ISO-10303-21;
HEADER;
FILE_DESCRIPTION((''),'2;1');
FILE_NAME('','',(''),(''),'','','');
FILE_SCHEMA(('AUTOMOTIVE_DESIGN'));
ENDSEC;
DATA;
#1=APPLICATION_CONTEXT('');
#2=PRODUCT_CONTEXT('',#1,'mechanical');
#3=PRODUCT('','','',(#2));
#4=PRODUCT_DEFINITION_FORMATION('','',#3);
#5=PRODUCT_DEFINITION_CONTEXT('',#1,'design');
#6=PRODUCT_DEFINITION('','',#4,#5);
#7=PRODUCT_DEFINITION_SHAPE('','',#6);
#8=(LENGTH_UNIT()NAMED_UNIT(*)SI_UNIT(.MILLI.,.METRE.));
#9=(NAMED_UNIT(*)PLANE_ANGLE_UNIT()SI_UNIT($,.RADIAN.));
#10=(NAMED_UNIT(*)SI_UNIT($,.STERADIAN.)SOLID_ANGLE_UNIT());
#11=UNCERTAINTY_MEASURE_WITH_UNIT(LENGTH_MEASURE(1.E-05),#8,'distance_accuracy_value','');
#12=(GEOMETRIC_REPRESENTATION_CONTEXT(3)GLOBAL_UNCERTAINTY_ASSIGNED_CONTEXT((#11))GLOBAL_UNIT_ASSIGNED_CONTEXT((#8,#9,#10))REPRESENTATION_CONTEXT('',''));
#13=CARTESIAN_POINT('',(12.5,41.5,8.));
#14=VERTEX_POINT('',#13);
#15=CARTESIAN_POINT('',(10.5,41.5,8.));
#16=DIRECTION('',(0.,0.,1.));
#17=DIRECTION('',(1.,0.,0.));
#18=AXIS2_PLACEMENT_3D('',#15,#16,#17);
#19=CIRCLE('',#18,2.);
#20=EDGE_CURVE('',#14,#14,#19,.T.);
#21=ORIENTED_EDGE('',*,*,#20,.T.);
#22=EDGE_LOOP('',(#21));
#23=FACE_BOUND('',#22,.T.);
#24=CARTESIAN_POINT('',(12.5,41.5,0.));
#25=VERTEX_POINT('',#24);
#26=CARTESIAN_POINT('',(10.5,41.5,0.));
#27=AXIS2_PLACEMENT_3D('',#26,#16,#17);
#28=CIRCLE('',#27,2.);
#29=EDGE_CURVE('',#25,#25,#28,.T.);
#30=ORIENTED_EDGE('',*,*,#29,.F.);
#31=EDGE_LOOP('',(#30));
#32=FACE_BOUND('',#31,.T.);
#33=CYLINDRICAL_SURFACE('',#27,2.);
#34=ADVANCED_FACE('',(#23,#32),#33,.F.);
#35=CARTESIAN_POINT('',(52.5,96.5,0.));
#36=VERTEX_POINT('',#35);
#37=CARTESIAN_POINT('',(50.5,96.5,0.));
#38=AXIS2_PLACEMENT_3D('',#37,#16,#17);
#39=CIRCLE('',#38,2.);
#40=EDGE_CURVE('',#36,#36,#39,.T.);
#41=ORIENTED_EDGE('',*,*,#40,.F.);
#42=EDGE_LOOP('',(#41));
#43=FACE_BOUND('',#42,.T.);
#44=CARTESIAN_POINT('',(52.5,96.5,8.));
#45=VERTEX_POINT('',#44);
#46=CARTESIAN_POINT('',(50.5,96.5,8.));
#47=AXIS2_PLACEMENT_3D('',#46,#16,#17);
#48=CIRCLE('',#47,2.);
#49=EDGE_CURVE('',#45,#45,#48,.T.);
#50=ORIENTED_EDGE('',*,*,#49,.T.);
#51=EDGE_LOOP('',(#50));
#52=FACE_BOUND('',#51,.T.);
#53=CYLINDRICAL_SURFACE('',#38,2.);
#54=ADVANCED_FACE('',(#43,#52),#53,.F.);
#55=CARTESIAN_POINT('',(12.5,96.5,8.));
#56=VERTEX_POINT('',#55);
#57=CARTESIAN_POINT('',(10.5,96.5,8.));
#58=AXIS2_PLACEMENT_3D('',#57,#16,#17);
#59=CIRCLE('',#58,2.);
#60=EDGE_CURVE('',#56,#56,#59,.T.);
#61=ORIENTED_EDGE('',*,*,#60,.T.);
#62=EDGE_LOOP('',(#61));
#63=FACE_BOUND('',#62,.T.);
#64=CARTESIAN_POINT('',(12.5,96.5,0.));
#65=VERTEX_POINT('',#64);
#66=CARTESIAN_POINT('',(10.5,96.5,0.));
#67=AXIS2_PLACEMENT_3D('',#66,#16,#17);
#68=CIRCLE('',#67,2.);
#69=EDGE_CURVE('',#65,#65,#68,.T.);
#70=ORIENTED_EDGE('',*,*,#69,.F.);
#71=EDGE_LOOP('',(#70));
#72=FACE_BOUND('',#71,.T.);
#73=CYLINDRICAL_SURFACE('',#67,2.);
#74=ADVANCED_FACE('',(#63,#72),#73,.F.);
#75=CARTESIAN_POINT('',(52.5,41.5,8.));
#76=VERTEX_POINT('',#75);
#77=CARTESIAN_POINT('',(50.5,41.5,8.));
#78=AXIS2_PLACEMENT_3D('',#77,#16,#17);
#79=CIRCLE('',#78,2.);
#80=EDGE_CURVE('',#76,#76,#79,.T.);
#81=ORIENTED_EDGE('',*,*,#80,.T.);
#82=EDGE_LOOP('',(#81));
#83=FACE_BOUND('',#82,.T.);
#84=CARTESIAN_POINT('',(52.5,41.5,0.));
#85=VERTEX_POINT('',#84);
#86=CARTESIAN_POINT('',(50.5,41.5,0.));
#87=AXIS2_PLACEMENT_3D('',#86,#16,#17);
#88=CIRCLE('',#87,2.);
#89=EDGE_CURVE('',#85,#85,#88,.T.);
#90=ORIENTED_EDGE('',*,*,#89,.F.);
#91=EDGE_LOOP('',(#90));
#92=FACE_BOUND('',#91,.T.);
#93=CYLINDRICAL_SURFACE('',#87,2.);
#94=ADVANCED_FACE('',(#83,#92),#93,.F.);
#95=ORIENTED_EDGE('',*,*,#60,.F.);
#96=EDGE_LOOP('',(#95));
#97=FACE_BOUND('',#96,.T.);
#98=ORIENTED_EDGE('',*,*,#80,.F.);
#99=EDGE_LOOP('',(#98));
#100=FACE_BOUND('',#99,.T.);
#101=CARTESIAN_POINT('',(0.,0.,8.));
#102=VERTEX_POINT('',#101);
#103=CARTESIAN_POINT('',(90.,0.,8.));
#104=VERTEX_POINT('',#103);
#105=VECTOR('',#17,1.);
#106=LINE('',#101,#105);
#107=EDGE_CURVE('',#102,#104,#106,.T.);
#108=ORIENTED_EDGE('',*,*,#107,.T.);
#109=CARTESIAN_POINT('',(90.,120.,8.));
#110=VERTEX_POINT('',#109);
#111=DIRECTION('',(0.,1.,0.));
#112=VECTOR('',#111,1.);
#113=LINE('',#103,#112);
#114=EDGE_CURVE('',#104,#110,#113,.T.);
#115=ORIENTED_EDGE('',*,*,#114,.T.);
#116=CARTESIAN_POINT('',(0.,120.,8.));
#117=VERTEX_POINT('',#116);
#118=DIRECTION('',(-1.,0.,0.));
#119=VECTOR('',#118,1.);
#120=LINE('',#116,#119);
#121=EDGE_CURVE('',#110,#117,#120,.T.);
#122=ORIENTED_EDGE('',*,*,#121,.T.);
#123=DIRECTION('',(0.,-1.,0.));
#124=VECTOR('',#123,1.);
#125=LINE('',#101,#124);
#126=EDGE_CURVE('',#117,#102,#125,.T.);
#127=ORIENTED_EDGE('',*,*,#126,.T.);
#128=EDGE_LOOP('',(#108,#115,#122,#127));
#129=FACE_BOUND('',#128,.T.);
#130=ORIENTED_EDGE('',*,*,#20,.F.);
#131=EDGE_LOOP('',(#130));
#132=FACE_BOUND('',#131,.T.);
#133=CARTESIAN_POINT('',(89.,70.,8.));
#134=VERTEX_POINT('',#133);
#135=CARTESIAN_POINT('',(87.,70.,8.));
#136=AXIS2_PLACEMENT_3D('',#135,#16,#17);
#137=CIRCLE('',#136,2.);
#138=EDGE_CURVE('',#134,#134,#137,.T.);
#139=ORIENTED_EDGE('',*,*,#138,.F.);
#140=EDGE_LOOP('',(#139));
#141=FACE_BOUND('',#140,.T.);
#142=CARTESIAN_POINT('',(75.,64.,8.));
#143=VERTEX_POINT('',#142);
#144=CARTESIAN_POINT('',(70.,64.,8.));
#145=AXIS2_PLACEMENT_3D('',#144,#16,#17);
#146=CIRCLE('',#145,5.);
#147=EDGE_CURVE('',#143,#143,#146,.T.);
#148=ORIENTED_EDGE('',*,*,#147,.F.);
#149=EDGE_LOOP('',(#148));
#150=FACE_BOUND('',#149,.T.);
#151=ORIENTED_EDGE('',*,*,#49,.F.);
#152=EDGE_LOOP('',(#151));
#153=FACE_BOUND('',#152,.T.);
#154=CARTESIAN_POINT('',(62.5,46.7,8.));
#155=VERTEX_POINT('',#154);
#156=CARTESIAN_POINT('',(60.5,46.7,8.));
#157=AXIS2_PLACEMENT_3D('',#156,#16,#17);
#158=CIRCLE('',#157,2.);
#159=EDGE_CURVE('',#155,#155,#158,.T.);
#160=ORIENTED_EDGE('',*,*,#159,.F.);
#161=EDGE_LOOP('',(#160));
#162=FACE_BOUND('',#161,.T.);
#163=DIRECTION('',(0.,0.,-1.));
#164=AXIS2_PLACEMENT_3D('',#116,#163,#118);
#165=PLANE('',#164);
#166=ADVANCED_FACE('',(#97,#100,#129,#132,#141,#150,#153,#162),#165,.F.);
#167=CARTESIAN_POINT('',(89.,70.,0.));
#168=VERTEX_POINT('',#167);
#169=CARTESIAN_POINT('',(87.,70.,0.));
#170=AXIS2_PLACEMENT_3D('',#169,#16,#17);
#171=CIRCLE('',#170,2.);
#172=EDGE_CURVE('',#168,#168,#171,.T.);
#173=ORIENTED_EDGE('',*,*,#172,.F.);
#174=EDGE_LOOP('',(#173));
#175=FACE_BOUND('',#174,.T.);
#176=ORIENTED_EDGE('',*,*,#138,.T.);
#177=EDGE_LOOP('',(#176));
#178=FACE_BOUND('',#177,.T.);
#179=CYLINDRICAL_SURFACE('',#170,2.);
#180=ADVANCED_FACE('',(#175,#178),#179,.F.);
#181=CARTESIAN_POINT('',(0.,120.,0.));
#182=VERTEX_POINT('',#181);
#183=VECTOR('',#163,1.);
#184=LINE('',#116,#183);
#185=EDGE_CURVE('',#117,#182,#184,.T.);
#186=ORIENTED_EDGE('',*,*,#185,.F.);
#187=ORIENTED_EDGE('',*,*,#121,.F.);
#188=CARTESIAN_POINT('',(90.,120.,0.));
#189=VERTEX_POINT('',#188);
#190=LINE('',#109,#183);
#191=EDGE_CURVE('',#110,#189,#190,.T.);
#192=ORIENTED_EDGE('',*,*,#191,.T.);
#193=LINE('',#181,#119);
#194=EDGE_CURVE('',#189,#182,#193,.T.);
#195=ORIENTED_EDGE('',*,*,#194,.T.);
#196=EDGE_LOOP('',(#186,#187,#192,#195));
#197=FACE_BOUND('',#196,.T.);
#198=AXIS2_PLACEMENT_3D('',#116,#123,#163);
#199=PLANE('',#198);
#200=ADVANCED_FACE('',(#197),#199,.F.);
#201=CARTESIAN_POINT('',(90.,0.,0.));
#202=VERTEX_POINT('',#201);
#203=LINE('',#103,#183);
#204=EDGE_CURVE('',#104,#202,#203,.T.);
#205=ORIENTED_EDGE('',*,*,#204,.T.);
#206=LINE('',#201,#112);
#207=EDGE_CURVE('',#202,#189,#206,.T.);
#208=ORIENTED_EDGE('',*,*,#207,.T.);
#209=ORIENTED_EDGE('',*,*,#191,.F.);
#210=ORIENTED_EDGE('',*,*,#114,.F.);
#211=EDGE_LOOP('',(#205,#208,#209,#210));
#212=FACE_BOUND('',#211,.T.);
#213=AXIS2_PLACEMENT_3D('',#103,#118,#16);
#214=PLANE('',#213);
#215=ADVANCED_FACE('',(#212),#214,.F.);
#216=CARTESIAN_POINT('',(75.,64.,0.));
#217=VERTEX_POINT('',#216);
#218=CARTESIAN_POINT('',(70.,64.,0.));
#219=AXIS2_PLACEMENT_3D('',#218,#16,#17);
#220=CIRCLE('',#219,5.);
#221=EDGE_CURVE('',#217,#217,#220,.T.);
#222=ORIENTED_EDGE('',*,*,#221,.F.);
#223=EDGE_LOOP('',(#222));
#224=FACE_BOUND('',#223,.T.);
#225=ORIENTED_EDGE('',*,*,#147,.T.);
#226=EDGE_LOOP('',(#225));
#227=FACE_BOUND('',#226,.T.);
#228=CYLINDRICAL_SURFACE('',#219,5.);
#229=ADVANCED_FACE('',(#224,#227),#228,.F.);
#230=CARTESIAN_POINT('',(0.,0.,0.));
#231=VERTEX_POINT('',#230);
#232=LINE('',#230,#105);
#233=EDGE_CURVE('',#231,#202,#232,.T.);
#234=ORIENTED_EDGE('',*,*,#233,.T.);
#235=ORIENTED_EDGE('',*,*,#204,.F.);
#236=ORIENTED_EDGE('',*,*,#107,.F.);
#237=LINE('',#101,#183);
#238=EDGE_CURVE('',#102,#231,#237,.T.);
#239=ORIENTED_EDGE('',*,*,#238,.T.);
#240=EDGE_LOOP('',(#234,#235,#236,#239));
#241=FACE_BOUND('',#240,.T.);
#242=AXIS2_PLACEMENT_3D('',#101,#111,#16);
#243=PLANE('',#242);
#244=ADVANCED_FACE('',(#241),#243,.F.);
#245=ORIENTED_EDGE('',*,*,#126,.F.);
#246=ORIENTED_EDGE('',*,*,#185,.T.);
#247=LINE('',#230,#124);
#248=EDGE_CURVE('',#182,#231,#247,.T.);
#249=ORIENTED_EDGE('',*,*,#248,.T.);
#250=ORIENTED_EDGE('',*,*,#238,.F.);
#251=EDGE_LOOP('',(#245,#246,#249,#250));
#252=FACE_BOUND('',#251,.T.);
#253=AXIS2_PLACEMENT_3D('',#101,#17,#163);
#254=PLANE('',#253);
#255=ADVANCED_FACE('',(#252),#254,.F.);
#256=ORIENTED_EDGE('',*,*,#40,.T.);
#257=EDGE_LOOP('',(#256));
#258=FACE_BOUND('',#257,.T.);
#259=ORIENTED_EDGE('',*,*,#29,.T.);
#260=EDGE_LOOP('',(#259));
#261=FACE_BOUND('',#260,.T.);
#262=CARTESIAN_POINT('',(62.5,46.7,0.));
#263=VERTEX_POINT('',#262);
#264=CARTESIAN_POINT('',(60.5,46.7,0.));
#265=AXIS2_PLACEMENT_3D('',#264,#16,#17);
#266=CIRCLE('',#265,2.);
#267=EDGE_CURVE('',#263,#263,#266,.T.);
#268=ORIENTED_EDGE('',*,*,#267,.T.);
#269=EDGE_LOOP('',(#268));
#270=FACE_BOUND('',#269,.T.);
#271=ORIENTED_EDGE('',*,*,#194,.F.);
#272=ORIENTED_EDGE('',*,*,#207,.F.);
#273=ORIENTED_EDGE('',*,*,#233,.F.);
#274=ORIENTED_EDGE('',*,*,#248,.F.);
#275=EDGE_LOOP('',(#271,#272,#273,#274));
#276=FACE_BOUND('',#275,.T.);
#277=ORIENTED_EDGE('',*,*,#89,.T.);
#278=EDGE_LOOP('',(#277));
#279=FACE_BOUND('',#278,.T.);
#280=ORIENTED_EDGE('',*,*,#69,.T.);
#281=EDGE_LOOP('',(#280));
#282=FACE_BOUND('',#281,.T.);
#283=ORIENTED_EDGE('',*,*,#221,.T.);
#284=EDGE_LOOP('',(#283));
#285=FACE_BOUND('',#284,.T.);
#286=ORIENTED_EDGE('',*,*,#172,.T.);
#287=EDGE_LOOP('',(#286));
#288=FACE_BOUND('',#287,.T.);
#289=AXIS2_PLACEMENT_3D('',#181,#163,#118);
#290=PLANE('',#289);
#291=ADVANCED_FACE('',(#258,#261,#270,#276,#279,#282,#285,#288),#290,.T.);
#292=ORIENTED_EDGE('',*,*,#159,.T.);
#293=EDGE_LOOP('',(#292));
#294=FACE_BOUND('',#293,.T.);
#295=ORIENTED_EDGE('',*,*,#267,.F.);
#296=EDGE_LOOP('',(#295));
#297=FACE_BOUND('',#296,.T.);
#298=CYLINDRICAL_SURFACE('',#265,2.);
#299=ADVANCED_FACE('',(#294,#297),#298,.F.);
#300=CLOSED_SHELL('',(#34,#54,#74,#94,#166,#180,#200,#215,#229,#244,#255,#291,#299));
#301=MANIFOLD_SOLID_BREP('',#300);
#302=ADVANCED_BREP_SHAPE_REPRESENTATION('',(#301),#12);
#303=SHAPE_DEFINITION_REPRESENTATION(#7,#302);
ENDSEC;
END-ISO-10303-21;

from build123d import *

# Parameters (mm, degrees)
SKETCH1_W           = 90
SKETCH1_H           = 120
BOSS_EXTRUDE1_DEPTH = 8
SKETCH2_R           = 5
CUT_EXTRUDE1_DEPTH  = 9
SKETCH3_R           = 2
CUT_EXTRUDE2_DEPTH  = 9
SKETCH4_R           = 2
CUT_EXTRUDE3_DEPTH  = 9


with BuildPart() as part:
    # Sketch1 → Boss-Extrude1 (new body)
    with BuildSketch(Plane.XY):
        with Locations((45, 60)):
            Rectangle(SKETCH1_W, SKETCH1_H)
    extrude(amount=BOSS_EXTRUDE1_DEPTH)

    # Sketch2 → Cut-Extrude1 (cut, through all)
    with BuildSketch(Plane.XY.offset(8)):
        with Locations((70, 64)):
            Circle(SKETCH2_R)
    extrude(amount=-CUT_EXTRUDE1_DEPTH, mode=Mode.SUBTRACT)

    # Sketch3 → Cut-Extrude2 (cut, through all)
    with BuildSketch(Plane.XY.offset(8)):
        with Locations((87, 70)):
            Circle(SKETCH3_R)
        with Locations((60.5, 46.7)):
            Circle(SKETCH3_R)
    extrude(amount=-CUT_EXTRUDE2_DEPTH, mode=Mode.SUBTRACT)

    # Sketch4 → Cut-Extrude3 (cut, through all)
    with BuildSketch(Plane.XY.offset(8)):
        with Locations((50.5, 96.5)):
            Circle(SKETCH4_R)
        with Locations((10.5, 96.5)):
            Circle(SKETCH4_R)
        with Locations((50.5, 41.5)):
            Circle(SKETCH4_R)
        with Locations((10.5, 41.5)):
            Circle(SKETCH4_R)
    extrude(amount=-CUT_EXTRUDE3_DEPTH, mode=Mode.SUBTRACT)


solid = part.part
